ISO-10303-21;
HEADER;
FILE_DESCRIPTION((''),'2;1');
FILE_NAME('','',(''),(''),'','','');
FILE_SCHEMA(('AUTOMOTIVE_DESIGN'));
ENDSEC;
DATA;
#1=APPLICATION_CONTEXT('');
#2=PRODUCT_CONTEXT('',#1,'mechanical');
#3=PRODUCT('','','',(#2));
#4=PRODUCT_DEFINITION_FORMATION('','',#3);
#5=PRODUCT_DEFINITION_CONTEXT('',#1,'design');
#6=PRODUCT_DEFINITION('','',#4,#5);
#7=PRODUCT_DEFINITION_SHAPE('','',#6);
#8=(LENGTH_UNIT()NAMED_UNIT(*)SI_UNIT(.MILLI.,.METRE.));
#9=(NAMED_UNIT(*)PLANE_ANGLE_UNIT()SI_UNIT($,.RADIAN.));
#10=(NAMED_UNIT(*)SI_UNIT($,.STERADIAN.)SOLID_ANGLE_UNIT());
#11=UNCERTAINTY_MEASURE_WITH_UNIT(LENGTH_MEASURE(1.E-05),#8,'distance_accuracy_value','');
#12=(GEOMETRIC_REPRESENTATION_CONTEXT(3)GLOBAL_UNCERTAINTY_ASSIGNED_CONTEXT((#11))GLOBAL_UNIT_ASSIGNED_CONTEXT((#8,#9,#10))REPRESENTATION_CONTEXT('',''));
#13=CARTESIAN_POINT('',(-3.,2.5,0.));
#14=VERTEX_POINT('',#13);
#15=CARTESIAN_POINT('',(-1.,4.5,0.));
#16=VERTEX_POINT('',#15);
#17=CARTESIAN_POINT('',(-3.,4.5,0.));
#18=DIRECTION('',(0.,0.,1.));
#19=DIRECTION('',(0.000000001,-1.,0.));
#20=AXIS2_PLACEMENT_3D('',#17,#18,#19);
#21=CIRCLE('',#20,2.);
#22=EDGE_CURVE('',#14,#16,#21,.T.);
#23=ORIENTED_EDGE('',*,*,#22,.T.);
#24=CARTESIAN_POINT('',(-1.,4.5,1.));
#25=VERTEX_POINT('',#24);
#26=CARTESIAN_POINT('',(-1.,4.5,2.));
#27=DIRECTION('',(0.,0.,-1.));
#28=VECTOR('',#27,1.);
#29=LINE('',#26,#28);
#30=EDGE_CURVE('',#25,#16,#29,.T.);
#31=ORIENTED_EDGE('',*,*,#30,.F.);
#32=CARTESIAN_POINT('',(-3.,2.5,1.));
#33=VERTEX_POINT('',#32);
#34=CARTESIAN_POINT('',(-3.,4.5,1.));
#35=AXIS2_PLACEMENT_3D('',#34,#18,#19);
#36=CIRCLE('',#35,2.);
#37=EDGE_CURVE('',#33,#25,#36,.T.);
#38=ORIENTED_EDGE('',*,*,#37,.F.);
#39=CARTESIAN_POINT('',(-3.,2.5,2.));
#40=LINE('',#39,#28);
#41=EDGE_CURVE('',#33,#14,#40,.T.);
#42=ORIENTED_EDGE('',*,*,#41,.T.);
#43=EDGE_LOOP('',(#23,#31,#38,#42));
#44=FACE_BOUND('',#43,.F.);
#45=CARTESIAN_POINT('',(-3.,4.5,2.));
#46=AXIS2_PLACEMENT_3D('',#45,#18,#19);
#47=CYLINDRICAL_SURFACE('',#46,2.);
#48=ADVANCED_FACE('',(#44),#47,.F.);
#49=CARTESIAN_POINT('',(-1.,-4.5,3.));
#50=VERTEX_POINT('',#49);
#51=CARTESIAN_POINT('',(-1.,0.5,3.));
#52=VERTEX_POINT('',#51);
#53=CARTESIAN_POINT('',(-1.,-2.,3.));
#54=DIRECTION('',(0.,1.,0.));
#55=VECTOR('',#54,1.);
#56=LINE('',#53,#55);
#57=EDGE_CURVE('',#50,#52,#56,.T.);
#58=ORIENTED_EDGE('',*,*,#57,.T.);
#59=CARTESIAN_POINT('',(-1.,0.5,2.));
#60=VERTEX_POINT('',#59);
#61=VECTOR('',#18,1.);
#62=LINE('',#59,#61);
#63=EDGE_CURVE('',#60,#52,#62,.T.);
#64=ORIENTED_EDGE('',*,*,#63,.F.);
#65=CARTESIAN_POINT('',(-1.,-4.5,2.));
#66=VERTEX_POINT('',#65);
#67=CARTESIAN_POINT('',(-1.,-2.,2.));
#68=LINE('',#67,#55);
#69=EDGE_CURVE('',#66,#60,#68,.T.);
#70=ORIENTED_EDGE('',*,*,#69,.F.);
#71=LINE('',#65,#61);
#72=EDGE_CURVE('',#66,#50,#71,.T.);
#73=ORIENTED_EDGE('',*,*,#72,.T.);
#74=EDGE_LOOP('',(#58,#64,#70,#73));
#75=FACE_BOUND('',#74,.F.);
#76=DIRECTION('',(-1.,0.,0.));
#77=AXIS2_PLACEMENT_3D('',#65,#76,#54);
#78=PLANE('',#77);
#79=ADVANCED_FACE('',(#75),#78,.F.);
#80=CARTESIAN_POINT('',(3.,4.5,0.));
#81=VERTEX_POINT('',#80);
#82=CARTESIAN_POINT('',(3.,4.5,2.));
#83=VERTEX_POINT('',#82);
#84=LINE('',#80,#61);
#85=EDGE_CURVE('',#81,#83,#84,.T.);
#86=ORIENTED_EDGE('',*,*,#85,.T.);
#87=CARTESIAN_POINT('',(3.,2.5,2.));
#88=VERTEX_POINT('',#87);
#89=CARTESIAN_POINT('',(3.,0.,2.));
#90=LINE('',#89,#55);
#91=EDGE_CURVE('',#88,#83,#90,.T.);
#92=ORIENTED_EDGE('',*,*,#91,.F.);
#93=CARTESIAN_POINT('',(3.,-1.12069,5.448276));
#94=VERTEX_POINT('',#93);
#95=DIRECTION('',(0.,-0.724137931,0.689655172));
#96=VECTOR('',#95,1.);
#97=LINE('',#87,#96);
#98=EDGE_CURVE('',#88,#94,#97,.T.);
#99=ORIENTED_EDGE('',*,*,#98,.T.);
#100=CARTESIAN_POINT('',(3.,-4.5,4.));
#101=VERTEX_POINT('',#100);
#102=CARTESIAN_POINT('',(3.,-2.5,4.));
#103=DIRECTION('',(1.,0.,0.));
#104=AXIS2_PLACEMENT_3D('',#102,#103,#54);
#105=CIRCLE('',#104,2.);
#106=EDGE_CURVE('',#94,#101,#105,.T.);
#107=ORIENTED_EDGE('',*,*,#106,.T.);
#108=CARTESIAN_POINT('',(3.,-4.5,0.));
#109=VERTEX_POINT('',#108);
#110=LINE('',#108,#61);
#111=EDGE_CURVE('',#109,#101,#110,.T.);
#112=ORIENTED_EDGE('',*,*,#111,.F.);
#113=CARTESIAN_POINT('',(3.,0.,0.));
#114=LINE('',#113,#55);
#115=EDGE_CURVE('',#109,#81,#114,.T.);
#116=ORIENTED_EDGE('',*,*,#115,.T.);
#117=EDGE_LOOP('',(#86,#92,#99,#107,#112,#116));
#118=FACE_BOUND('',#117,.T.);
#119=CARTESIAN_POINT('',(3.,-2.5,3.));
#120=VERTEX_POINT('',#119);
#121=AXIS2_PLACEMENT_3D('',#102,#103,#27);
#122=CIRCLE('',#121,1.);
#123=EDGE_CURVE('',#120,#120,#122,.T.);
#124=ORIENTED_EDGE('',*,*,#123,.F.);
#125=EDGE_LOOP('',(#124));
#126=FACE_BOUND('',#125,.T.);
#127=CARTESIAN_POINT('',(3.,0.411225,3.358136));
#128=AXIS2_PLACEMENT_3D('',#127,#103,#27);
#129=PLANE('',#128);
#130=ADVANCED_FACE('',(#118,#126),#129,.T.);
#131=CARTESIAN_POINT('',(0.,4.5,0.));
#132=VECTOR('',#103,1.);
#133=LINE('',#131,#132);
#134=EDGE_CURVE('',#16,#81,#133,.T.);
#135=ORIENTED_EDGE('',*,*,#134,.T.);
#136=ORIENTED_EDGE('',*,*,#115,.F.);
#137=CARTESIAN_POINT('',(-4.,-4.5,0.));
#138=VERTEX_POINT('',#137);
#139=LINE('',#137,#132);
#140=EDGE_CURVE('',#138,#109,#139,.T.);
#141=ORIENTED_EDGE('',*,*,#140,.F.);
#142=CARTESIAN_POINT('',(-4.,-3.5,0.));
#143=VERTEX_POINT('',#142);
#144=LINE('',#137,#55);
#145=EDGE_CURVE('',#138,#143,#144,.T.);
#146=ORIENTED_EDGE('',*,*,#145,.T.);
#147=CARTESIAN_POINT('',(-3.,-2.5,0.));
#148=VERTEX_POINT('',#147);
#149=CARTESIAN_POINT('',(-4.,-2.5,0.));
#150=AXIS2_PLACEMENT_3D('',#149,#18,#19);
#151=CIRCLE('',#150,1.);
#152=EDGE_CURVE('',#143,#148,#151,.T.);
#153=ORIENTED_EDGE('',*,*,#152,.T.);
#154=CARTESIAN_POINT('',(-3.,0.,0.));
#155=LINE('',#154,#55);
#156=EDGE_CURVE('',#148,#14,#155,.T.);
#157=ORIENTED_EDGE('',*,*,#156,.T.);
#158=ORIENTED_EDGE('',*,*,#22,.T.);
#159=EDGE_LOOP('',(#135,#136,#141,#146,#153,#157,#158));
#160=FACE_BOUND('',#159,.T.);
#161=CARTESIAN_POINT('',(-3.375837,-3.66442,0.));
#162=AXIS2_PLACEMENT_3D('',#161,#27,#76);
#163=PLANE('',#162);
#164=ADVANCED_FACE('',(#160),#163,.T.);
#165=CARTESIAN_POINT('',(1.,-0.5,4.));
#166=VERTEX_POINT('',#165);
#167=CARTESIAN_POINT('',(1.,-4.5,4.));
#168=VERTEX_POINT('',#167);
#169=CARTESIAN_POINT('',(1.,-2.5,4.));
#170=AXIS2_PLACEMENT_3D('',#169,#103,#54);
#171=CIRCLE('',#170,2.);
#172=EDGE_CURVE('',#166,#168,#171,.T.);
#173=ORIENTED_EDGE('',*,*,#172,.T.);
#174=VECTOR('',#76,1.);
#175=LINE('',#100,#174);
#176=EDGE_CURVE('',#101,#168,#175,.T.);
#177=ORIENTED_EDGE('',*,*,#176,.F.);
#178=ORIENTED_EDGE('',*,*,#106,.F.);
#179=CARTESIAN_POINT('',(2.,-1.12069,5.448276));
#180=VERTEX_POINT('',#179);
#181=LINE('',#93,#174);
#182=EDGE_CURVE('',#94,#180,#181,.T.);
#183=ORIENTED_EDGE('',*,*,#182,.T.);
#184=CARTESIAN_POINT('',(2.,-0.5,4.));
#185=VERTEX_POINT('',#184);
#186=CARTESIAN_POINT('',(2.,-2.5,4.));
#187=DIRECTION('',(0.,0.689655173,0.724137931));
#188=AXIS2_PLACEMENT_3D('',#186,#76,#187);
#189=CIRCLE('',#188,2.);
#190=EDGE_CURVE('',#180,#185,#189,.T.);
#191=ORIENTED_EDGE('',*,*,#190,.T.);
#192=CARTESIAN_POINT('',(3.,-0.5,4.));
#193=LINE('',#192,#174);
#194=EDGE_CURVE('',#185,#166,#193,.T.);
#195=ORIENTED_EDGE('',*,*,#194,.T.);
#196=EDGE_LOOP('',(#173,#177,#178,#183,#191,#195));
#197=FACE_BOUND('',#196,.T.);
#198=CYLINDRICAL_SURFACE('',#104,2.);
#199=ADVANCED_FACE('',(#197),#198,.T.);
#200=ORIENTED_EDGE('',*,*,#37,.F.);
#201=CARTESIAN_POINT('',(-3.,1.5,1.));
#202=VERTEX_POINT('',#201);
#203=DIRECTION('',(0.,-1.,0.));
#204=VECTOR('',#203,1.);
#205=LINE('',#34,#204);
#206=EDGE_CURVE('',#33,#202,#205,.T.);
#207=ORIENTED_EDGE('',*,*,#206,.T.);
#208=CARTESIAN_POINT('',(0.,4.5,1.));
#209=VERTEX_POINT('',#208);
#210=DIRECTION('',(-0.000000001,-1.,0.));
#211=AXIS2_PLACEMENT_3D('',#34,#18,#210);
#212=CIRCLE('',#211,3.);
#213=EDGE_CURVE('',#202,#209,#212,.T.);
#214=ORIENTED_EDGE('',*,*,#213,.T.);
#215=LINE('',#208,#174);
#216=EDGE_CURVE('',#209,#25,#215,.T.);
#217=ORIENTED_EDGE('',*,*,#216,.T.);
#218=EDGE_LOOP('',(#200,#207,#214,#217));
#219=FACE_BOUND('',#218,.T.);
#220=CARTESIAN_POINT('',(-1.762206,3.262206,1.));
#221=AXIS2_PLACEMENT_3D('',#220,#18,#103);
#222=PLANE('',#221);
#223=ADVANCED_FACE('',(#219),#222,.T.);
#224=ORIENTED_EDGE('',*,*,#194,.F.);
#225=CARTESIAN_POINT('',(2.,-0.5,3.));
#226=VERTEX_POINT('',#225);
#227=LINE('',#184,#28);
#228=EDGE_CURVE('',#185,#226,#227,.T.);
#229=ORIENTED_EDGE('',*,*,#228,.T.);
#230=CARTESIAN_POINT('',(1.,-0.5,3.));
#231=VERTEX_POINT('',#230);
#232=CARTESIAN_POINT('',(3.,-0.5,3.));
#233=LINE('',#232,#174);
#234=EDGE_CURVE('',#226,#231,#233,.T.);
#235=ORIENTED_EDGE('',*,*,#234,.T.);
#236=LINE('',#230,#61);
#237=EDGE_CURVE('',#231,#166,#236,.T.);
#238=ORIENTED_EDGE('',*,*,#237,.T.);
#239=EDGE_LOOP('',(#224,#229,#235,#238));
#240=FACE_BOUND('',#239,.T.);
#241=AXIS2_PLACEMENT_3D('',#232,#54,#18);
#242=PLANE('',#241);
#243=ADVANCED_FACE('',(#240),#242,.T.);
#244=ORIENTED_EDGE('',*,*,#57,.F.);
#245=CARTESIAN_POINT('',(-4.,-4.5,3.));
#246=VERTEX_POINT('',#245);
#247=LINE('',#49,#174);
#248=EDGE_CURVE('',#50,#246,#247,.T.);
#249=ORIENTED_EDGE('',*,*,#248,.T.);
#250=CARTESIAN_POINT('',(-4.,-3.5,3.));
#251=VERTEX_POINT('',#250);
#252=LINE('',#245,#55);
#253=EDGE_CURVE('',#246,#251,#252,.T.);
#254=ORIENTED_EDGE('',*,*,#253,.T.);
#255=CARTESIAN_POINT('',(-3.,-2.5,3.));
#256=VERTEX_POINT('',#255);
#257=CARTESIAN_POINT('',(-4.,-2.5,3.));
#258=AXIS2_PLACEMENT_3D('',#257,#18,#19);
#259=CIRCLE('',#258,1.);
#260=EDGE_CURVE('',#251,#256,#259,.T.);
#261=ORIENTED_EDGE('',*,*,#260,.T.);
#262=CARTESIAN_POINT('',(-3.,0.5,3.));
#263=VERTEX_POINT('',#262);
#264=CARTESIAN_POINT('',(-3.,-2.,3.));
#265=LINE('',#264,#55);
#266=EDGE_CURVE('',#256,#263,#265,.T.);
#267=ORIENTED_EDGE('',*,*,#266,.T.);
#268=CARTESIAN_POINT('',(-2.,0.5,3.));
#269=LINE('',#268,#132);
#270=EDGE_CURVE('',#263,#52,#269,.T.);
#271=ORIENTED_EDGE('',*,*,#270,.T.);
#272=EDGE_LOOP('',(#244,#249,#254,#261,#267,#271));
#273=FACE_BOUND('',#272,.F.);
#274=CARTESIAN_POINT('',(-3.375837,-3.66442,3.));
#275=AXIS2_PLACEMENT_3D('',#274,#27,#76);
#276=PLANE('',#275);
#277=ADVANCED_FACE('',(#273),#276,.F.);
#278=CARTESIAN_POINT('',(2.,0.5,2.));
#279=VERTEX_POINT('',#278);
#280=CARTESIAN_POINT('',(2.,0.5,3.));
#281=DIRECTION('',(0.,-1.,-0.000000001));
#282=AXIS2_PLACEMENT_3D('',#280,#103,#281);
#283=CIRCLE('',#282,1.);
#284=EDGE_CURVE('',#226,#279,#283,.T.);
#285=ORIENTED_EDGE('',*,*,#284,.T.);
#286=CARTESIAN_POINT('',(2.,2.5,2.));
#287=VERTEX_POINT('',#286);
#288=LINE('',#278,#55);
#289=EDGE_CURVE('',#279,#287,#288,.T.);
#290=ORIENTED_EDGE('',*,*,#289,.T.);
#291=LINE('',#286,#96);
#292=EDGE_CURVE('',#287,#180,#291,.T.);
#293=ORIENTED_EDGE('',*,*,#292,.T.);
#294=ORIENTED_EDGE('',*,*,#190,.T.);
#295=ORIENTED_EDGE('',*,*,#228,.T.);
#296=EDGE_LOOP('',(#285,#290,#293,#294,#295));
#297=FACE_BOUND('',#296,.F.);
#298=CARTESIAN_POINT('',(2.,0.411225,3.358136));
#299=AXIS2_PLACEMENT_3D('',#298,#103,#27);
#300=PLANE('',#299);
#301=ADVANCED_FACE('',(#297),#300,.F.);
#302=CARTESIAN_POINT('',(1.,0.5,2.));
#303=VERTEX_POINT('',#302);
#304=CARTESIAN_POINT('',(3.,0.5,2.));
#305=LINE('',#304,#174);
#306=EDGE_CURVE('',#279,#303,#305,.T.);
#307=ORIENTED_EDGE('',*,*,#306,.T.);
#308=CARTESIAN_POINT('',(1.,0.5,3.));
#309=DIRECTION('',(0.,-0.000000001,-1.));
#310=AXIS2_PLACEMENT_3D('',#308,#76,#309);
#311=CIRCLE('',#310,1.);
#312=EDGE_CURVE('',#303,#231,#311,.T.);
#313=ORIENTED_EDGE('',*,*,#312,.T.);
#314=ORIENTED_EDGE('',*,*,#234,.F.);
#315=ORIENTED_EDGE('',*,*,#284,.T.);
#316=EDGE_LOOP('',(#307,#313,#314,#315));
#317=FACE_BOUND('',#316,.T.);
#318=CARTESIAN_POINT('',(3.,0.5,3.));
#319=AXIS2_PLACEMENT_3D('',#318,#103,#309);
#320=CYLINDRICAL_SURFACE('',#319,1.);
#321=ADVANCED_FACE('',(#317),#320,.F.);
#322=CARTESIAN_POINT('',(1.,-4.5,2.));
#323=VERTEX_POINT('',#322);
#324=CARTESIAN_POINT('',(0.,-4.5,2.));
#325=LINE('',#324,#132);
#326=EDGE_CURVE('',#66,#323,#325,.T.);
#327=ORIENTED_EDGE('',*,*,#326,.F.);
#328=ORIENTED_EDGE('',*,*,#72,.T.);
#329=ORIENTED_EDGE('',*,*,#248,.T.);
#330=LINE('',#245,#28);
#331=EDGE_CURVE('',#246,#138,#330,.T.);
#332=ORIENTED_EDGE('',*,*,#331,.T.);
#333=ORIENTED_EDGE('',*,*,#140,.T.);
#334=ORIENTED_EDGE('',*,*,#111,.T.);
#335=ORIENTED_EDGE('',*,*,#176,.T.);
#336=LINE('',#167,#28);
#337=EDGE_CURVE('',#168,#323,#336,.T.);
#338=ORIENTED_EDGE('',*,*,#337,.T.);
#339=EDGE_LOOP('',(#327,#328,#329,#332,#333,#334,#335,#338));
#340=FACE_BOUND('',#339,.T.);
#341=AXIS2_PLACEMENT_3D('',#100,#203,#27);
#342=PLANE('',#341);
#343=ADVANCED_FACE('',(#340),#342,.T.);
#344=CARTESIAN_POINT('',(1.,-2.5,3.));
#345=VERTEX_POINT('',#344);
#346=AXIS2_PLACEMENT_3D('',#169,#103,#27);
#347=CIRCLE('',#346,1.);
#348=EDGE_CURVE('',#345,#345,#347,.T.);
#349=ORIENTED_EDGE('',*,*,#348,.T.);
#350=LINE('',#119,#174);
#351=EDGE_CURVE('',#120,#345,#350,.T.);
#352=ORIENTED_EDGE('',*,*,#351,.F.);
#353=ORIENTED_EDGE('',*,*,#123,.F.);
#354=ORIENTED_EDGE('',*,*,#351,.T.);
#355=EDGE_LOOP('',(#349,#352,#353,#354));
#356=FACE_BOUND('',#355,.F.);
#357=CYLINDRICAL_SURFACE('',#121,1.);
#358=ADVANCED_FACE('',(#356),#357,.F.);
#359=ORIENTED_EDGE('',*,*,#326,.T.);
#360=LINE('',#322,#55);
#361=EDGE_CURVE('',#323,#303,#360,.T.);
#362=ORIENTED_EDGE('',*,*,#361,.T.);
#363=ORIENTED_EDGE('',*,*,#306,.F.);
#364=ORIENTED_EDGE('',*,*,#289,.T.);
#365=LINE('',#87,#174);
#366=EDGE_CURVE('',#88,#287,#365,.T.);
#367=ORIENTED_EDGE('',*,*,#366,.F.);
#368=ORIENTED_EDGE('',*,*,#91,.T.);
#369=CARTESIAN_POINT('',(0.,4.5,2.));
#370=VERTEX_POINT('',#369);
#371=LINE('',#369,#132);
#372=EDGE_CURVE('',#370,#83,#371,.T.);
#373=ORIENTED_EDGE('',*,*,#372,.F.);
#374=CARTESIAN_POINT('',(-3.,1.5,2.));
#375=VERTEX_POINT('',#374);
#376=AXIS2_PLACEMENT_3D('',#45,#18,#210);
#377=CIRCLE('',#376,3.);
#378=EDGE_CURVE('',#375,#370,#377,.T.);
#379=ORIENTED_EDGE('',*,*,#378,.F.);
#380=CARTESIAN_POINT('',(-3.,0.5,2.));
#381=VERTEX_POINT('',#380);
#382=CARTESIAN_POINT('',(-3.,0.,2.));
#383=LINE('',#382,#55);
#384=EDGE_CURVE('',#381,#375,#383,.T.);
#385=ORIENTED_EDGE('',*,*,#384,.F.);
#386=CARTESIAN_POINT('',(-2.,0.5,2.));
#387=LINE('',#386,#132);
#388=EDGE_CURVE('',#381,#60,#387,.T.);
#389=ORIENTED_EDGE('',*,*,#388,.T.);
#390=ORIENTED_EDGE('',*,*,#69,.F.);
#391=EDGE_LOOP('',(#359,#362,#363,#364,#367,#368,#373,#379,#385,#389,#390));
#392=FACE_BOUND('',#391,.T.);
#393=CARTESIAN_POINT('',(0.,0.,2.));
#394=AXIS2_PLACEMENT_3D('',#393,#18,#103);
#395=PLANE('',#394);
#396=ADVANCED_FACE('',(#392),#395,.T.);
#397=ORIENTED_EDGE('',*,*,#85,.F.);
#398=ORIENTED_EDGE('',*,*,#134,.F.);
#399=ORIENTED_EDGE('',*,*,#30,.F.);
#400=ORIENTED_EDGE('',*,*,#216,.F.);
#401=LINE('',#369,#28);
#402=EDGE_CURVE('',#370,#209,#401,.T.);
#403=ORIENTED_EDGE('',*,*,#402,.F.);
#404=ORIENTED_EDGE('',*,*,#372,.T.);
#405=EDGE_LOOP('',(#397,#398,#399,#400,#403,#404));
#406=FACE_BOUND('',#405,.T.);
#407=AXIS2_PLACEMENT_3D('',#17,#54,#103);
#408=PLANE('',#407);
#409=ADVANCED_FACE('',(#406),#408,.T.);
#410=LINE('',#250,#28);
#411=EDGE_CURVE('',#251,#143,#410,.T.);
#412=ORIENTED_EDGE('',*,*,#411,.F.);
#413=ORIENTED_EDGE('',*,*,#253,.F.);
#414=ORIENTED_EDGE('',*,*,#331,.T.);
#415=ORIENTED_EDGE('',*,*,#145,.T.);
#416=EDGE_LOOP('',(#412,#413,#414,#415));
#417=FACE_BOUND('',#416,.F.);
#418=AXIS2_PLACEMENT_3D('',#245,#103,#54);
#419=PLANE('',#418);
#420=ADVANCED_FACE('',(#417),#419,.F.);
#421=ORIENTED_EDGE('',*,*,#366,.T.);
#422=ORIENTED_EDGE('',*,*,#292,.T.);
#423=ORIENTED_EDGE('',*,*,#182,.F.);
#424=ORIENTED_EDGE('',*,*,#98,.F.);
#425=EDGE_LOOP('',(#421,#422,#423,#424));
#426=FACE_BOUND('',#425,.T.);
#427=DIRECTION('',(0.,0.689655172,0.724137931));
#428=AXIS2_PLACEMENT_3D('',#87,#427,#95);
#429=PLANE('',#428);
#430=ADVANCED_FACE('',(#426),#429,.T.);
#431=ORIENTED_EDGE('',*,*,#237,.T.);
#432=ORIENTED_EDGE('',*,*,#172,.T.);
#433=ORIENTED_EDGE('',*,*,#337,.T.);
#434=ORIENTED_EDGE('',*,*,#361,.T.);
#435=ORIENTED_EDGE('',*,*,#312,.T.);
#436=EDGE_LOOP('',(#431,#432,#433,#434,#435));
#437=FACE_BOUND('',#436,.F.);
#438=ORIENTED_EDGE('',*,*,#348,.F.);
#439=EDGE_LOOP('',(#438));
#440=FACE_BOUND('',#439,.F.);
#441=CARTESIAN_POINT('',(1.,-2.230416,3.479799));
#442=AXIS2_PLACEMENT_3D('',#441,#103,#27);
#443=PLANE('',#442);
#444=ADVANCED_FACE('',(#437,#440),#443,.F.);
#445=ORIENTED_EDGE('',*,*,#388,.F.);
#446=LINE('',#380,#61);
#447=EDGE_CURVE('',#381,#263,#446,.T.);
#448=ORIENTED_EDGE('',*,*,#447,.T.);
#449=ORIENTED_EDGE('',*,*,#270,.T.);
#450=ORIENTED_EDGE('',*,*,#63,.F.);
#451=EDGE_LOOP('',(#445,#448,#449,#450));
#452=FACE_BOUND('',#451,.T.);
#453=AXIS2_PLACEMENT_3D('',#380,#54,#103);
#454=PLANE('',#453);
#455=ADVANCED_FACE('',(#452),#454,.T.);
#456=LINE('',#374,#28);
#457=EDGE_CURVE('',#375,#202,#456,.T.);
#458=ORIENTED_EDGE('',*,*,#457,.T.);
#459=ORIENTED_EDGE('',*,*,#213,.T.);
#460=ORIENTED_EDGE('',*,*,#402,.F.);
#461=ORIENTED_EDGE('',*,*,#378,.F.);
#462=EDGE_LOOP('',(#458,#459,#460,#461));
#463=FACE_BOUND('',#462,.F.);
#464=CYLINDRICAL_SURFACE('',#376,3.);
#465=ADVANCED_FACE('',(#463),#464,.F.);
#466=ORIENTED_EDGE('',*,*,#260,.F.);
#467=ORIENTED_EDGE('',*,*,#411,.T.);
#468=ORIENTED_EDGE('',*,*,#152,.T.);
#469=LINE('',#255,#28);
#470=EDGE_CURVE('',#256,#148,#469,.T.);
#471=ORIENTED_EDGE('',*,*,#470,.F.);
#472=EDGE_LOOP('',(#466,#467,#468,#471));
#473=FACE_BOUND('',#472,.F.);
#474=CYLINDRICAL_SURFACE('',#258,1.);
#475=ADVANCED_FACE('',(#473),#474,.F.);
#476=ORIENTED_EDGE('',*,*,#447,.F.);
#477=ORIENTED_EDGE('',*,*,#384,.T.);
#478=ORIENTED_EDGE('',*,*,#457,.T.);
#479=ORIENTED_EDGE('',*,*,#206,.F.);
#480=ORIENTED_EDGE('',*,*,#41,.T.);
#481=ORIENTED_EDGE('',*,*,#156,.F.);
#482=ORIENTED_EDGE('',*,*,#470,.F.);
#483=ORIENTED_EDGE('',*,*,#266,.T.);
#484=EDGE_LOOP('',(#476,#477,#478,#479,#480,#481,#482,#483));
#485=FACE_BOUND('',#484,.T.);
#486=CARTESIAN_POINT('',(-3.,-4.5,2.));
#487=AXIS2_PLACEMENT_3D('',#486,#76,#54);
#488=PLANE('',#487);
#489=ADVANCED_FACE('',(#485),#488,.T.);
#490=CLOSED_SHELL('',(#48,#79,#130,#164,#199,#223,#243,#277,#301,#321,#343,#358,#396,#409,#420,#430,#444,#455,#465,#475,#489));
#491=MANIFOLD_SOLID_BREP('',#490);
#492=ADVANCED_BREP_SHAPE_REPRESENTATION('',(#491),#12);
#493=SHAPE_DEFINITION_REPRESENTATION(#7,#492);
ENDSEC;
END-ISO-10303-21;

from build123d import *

# Parameters (mm, degrees)
SKETCH1_W           = 6
SKETCH1_H           = 9
BOSS_EXTRUDE1_DEPTH = 2
CUT_EXTRUDE1_DEPTH  = 3
CUT_EXTRUDE2_DEPTH  = 1
SKETCH4_W           = 2
SKETCH4_H           = 5
BOSS_EXTRUDE2_DEPTH = 1
BOSS_EXTRUDE3_DEPTH = 3
SKETCH7_R           = 1
BOSS_EXTRUDE4_DEPTH = 2
BOSS_EXTRUDE5_DEPTH = 1


with BuildPart() as part:
    # Sketch1 → Boss-Extrude1 (new body)
    with BuildSketch(Plane.XY):
        Rectangle(SKETCH1_W, SKETCH1_H)
    extrude(amount=BOSS_EXTRUDE1_DEPTH)

    # Sketch2 → Cut-Extrude1 (cut, through all)
    with BuildSketch(Plane.XY.offset(2)):
        with BuildLine():
            Line((-1, 4.5), (-3, 4.5))
            Line((-3, 4.5), (-3, 2.5))
            ThreePointArc((-3, 2.5), (-1.585786438, 3.085786438), (-1, 4.5))
        make_face()
    extrude(amount=-CUT_EXTRUDE1_DEPTH, mode=Mode.SUBTRACT)

    # Sketch3 → Cut-Extrude2 (cut)
    with BuildSketch(Plane.XY.offset(2)):
        with BuildLine():
            Line((0, 4.5), (-3, 4.5))
            Line((-3, 4.5), (-3, 1.5))
            ThreePointArc((-3, 1.5), (-0.878679656, 2.378679656), (0, 4.5))
        make_face()
    extrude(amount=-CUT_EXTRUDE2_DEPTH, mode=Mode.SUBTRACT)

    # Sketch4 → Boss-Extrude2 (add)
    with BuildSketch(Plane.XY.offset(2)):
        with Locations((-2, -2)):
            Rectangle(SKETCH4_W, SKETCH4_H)
    extrude(amount=BOSS_EXTRUDE2_DEPTH)

    # Sketch5 → Boss-Extrude3 (add)
    with BuildSketch(Plane.XY.offset(3)):
        with BuildLine():
            Line((-3, -4.5), (-4, -4.5))
            Line((-4, -4.5), (-4, -3.5))
            ThreePointArc((-4, -3.5), (-3.292893219, -3.207106781), (-3, -2.5))
            Line((-3, -2.5), (-3, -4.5))
        make_face()
    extrude(amount=-BOSS_EXTRUDE3_DEPTH)

    # Sketch7 → Boss-Extrude4 (add)
    with BuildSketch(Plane(origin=(3, 0, 0), x_dir=(0, 0, -1), z_dir=(1, 0, 0))):
        with BuildLine():
            Line((-4, -4.5), (-2, -4.5))
            Line((-2, -4.5), (-2, 0.5))
            ThreePointArc((-2, 0.5), (-2.292893219, -0.207106781), (-3, -0.5))
            Line((-3, -0.5), (-4, -0.5))
            ThreePointArc((-4, -0.5), (-6, -2.5), (-4, -4.5))
        make_face()
        with Locations((-4, -2.5)):
            Circle(SKETCH7_R, mode=Mode.SUBTRACT)
    extrude(amount=-BOSS_EXTRUDE4_DEPTH)

    # Sketch8 → Boss-Extrude5 (add)
    with BuildSketch(Plane(origin=(3, 0, 0), x_dir=(0, 0, -1), z_dir=(1, 0, 0))):
        with BuildLine():
            Line((-2, 2.5), (-5.448275862, -1.120689655))
            ThreePointArc((-5.448275862, -1.120689655), (-4.787838597, -0.66170994), (-4, -0.5))
            Line((-4, -0.5), (-3, -0.5))
            ThreePointArc((-3, -0.5), (-2.292893219, -0.207106781), (-2, 0.5))
            Line((-2, 0.5), (-2, 2.5))
        make_face()
    extrude(amount=-BOSS_EXTRUDE5_DEPTH)


solid = part.part
